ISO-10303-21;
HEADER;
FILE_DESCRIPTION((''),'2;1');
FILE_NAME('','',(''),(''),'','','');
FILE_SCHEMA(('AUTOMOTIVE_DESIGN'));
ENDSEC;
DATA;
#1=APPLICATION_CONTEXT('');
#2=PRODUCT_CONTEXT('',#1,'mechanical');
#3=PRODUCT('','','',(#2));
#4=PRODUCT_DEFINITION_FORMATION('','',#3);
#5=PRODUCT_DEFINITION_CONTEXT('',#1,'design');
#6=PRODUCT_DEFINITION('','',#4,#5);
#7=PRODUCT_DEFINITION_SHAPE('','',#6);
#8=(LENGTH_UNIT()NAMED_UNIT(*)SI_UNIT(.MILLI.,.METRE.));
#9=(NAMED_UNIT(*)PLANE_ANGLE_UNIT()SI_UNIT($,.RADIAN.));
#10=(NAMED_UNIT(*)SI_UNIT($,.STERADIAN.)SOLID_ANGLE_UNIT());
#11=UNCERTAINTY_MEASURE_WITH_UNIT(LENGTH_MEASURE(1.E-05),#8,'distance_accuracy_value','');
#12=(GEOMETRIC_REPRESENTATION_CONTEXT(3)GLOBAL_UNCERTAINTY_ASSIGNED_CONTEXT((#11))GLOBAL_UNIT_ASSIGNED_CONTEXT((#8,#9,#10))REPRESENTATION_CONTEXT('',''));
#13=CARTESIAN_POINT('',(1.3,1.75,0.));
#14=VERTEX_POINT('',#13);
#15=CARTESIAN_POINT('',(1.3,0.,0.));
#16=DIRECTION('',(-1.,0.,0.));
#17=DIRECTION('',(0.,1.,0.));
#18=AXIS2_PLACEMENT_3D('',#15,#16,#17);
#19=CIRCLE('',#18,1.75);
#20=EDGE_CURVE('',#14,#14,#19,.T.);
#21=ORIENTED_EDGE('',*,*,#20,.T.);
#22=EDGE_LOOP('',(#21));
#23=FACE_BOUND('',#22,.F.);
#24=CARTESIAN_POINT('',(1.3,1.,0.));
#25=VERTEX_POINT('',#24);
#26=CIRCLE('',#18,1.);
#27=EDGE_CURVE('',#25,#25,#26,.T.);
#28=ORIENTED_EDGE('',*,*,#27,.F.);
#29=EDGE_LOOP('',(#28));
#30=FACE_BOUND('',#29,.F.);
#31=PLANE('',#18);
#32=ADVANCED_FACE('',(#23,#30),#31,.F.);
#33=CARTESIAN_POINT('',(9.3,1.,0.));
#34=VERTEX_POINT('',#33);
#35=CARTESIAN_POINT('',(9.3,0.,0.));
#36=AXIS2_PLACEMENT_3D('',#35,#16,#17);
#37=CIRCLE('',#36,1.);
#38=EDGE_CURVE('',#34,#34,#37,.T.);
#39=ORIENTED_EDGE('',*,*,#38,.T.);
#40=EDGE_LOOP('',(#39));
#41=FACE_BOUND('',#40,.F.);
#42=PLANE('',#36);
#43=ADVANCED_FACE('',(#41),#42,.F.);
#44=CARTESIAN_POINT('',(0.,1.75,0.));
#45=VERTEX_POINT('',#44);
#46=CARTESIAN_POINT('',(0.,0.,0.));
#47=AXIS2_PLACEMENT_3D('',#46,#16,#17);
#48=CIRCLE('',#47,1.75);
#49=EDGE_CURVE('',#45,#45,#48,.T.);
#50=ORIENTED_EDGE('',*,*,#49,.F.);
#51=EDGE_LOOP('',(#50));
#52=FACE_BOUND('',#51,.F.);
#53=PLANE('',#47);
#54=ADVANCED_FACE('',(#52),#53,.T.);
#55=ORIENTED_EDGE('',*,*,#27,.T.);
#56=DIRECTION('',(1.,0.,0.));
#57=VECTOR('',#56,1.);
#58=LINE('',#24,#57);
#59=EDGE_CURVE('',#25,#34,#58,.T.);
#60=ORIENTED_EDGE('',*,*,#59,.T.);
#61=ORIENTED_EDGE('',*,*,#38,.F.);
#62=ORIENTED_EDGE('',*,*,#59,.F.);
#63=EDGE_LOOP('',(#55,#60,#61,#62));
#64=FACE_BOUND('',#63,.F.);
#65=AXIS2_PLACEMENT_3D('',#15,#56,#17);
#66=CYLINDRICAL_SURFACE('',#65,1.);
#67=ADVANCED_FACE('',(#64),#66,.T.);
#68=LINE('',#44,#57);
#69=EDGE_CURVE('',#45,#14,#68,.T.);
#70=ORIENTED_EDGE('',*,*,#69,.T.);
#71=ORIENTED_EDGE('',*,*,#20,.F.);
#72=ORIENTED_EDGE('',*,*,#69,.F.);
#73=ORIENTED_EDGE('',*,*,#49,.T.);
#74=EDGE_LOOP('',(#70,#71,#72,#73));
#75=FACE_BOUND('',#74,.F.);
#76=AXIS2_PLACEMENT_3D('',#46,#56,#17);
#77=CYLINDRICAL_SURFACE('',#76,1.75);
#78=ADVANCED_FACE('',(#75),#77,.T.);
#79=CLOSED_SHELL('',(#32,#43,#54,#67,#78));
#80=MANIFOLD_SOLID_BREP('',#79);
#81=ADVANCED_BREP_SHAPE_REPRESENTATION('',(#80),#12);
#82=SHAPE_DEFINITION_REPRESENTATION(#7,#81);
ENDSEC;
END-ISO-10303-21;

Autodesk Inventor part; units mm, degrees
ref_plane "YZ Plane" through (0, 0, 0) normal (1, 0, 0) x (0, 1, 0)
ref_plane "XZ Plane" through (0, 0, 0) normal (0, 1, 0) x (-1, 0, 0)
ref_plane "XY Plane" through (0, 0, 0) normal (0, 0, 1) x (1, 0, 0)
sketch "スケッチ1" plane through (0, 0, 0) normal (0, 0, 1) x (1, 0, 0)
  line L0 (0, 0) -> (0, 1.75)
  line L1 (0, 1.75) -> (1.3, 1.75)
  line L2 (1.3, 1.75) -> (1.3, 1)
  line L3 (1.3, 1) -> (9.3, 1)
  line L4 (9.3, 1) -> (9.3, 0)
  line L5 (9.3, 0) -> (0, 0)
  dimension "d0" = 1.3
  dimension "d1" = 8
  dimension "d2" = 1.75
  dimension "d3" = 1
revolve "回転1" add sketch "スケッチ1" angle 360 about axis through (9.3, 0, 0) along (-1, 0, 0)
properties part number "M2_L10" material "鋼"
